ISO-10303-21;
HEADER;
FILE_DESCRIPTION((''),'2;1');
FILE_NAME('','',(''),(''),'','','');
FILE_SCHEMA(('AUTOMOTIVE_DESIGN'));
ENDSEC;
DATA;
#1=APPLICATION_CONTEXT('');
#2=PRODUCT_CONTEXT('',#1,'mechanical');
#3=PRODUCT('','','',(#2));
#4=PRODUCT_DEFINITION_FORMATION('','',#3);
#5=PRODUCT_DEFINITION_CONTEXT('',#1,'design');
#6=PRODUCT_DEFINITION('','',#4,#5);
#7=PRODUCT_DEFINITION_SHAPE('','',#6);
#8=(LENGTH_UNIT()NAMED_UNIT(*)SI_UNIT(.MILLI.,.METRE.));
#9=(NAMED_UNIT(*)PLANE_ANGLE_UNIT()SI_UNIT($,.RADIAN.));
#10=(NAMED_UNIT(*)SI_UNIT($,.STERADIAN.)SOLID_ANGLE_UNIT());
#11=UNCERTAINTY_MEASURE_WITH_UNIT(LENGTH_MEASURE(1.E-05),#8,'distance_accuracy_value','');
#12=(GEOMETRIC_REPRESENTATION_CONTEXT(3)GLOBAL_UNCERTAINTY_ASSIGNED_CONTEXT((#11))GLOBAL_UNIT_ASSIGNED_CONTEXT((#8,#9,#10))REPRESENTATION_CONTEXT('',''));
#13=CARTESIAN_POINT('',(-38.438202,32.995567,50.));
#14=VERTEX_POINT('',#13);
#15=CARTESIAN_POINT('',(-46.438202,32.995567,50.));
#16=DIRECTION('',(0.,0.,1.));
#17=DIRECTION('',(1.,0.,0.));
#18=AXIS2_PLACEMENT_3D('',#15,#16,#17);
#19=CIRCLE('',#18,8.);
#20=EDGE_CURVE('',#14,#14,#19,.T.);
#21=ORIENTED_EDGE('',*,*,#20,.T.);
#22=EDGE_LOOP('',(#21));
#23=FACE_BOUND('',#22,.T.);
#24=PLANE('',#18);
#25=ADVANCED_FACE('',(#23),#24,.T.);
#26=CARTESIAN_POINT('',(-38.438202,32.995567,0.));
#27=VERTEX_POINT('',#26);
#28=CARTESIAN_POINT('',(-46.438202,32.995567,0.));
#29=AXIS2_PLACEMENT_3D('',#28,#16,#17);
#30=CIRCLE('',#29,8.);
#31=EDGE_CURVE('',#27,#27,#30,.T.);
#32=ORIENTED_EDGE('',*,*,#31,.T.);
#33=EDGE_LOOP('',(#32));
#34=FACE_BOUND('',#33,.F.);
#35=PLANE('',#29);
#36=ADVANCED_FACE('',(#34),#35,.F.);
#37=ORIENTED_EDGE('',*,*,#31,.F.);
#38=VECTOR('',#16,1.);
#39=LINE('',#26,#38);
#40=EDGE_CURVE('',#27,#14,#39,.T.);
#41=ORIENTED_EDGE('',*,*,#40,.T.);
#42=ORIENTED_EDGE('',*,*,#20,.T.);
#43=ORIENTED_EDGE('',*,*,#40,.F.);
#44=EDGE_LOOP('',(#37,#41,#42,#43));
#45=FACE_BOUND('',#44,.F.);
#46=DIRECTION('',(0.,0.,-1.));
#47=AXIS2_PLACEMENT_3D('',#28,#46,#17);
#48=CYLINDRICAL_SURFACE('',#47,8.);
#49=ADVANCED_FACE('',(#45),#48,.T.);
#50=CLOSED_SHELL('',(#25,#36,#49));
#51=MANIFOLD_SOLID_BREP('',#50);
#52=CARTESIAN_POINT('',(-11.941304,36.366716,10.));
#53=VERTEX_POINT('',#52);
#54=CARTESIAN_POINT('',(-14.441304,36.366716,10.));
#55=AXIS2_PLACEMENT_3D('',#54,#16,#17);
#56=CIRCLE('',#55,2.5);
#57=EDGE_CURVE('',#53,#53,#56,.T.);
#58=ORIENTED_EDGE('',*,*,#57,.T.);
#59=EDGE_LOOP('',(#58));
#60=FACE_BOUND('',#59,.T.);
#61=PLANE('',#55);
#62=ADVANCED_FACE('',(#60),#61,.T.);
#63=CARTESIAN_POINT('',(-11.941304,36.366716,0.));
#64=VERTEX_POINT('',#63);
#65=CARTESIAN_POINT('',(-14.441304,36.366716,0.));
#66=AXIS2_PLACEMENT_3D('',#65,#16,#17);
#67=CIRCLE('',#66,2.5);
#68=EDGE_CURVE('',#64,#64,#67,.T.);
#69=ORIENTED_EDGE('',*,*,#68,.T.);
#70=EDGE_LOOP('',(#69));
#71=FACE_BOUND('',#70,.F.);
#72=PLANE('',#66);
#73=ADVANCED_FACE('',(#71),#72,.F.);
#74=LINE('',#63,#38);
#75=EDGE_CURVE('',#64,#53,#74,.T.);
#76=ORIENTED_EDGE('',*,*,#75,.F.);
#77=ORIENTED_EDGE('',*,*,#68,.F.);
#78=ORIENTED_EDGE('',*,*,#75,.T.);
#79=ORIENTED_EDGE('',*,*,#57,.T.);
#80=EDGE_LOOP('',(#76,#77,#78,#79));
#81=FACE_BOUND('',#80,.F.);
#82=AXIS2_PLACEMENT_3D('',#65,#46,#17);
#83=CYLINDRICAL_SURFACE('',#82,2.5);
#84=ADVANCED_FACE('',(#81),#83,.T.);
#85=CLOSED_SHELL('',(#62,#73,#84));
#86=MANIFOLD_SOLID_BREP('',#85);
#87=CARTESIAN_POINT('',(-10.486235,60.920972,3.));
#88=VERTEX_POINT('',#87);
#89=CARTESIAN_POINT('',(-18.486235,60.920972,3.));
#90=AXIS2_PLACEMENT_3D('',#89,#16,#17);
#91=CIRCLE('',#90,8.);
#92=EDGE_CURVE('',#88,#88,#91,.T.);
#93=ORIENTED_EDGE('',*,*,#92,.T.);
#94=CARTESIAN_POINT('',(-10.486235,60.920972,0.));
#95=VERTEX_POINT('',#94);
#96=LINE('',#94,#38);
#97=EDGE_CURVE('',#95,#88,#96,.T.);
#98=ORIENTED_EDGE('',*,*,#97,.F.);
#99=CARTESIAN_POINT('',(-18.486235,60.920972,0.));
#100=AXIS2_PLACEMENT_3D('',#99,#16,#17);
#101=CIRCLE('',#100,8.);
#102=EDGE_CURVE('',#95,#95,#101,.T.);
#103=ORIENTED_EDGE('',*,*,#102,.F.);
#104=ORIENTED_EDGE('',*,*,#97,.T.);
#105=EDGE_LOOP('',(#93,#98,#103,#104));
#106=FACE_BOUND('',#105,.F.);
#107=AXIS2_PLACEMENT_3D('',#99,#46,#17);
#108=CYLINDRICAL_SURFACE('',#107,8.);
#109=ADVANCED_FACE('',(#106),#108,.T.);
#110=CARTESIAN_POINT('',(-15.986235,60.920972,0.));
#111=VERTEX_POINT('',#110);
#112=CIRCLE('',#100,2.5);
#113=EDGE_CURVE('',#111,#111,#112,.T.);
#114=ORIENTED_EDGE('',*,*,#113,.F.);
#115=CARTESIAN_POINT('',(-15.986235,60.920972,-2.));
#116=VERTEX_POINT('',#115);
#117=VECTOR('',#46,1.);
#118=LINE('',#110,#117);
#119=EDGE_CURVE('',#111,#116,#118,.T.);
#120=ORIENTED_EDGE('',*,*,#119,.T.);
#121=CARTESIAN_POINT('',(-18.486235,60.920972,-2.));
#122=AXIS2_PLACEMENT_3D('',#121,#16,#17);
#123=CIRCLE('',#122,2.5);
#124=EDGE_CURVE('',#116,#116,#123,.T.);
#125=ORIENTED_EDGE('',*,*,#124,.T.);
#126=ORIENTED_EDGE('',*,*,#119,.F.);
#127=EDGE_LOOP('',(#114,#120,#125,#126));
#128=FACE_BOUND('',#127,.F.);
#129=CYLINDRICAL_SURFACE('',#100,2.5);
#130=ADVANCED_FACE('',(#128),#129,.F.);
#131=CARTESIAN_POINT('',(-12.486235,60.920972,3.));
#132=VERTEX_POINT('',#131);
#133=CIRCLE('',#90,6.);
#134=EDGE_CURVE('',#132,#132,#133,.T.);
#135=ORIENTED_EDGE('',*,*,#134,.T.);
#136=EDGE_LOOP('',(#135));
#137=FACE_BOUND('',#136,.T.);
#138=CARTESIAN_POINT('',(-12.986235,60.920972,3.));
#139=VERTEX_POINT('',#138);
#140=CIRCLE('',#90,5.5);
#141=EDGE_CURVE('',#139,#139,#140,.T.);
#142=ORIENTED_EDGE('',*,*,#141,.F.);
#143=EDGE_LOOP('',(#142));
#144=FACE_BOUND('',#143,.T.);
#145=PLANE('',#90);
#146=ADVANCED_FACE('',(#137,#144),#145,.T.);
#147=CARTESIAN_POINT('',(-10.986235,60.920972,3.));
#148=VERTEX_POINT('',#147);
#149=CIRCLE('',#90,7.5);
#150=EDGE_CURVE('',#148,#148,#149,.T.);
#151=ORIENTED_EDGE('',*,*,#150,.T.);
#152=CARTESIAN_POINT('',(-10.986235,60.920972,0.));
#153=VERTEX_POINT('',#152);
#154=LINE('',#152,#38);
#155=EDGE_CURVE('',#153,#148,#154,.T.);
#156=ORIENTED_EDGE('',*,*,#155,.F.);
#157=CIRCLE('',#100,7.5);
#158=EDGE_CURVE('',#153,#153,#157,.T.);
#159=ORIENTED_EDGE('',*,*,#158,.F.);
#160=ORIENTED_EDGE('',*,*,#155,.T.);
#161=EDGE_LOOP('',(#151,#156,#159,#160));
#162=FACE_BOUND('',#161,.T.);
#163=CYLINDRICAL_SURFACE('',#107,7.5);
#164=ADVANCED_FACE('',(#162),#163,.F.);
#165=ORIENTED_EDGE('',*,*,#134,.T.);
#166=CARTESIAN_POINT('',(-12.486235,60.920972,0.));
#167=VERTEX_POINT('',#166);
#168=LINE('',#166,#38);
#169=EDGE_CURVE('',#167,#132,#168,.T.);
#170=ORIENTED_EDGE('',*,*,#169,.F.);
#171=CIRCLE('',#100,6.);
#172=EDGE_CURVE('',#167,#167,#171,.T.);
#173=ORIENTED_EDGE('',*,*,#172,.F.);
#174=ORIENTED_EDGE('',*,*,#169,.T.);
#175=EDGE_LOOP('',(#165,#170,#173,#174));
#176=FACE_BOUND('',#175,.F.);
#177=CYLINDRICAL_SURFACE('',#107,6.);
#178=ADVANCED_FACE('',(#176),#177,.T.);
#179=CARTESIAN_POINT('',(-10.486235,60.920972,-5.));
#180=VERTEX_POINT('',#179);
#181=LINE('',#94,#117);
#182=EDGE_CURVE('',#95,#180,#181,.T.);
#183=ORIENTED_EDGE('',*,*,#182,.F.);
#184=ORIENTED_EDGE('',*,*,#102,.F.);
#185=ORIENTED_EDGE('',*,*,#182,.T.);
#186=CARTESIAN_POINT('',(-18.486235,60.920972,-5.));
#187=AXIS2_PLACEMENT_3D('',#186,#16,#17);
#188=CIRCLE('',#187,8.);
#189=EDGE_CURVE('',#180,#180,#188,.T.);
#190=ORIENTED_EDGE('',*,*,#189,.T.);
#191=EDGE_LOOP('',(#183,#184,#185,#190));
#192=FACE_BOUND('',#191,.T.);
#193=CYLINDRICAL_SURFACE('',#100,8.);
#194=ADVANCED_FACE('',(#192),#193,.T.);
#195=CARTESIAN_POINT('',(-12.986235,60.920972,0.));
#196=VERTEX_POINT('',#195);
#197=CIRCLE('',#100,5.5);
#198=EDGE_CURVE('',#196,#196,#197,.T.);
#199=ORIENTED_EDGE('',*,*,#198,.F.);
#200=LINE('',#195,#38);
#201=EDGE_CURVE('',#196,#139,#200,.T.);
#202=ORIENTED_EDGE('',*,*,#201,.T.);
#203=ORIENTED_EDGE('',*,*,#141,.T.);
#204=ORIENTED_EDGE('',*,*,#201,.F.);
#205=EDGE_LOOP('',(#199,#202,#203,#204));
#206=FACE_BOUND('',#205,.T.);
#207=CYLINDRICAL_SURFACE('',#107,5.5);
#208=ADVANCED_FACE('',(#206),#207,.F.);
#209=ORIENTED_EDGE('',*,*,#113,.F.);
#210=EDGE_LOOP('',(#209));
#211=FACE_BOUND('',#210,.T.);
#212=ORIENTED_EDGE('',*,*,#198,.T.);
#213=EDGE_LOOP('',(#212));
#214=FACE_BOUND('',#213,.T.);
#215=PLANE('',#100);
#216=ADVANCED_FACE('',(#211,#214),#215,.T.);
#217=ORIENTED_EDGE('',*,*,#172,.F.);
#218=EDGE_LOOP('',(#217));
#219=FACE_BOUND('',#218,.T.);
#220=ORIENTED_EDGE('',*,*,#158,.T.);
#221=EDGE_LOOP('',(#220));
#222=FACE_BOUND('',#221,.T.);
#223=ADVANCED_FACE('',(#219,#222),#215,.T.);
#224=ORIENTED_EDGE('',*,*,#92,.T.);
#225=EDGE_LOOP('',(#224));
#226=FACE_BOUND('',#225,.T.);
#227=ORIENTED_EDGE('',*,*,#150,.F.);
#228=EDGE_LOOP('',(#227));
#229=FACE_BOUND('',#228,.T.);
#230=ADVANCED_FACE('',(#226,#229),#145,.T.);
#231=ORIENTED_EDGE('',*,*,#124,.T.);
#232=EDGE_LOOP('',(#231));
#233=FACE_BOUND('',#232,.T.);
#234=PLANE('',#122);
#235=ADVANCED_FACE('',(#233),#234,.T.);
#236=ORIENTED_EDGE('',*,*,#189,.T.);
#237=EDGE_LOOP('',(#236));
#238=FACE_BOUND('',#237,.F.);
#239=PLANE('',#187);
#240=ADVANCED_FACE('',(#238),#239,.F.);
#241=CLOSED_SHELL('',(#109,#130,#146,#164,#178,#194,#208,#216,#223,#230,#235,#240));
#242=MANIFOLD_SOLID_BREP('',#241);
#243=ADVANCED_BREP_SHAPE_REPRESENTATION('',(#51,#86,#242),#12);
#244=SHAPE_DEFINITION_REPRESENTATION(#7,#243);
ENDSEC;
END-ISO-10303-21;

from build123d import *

# Parameters (mm, degrees)
F0_R     = 8
F1_DEPTH = 50
F2_R     = 8
F2_R_2   = 7.5
F2_R_3   = 6
F2_R_4   = 5.5
F2_R_5   = 2.5
F3_DEPTH = 5
F4_DEPTH = 3
F5_DEPTH = 2
F6_R     = 2.5
F7_DEPTH = 10


with BuildPart() as f1:
    # F0 (on Top) → F1 (new body)
    with BuildSketch(Plane.XY):
        with Locations((-46.4382022619, 32.9955667257)):
            Circle(F0_R)
    extrude(amount=F1_DEPTH)


with BuildPart() as f3:
    # F2 (on Top) → F3 (new body)
    with BuildSketch(Plane.XY):
        with Locations((-18.4862352908, 60.9209723771)):
            Circle(F2_R)
        with Locations((-18.4862352908, 60.9209723771)):
            Circle(F2_R_2, mode=Mode.SUBTRACT)
        with Locations((-18.4862352908, 60.9209723771)):
            Circle(F2_R_2)
        with Locations((-18.4862352908, 60.9209723771)):
            Circle(F2_R_3, mode=Mode.SUBTRACT)
        with Locations((-18.4862352908, 60.9209723771)):
            Circle(F2_R_3)
        with Locations((-18.4862352908, 60.9209723771)):
            Circle(F2_R_4, mode=Mode.SUBTRACT)
        with Locations((-18.4862352908, 60.9209723771)):
            Circle(F2_R_4)
        with Locations((-18.4862352908, 60.9209723771)):
            Circle(F2_R_5, mode=Mode.SUBTRACT)
        with Locations((-18.4862352908, 60.9209723771)):
            Circle(F2_R_5)
    extrude(amount=-F3_DEPTH)

    # F2 (on Top) → F4 (join)
    with BuildSketch(Plane.XY):
        with Locations((-18.4862352908, 60.9209723771)):
            Circle(F2_R)
        with Locations((-18.4862352908, 60.9209723771)):
            Circle(F2_R_2, mode=Mode.SUBTRACT)
        with Locations((-18.4862352908, 60.9209723771)):
            Circle(F2_R_3)
        with Locations((-18.4862352908, 60.9209723771)):
            Circle(F2_R_4, mode=Mode.SUBTRACT)
    extrude(amount=F4_DEPTH)

    # F2 (on Top) → F5 (cut)
    with BuildSketch(Plane.XY):
        with Locations((-18.4862352908, 60.9209723771)):
            Circle(F2_R_5)
    extrude(amount=-F5_DEPTH, mode=Mode.SUBTRACT)


with BuildPart() as f7:
    # F6 (on Top) → F7 (new body)
    with BuildSketch(Plane.XY):
        with Locations((-14.4413039088, 36.3667160273)):
            Circle(F6_R)
    extrude(amount=F7_DEPTH)


solid = Compound([f1.part, f3.part, f7.part])
